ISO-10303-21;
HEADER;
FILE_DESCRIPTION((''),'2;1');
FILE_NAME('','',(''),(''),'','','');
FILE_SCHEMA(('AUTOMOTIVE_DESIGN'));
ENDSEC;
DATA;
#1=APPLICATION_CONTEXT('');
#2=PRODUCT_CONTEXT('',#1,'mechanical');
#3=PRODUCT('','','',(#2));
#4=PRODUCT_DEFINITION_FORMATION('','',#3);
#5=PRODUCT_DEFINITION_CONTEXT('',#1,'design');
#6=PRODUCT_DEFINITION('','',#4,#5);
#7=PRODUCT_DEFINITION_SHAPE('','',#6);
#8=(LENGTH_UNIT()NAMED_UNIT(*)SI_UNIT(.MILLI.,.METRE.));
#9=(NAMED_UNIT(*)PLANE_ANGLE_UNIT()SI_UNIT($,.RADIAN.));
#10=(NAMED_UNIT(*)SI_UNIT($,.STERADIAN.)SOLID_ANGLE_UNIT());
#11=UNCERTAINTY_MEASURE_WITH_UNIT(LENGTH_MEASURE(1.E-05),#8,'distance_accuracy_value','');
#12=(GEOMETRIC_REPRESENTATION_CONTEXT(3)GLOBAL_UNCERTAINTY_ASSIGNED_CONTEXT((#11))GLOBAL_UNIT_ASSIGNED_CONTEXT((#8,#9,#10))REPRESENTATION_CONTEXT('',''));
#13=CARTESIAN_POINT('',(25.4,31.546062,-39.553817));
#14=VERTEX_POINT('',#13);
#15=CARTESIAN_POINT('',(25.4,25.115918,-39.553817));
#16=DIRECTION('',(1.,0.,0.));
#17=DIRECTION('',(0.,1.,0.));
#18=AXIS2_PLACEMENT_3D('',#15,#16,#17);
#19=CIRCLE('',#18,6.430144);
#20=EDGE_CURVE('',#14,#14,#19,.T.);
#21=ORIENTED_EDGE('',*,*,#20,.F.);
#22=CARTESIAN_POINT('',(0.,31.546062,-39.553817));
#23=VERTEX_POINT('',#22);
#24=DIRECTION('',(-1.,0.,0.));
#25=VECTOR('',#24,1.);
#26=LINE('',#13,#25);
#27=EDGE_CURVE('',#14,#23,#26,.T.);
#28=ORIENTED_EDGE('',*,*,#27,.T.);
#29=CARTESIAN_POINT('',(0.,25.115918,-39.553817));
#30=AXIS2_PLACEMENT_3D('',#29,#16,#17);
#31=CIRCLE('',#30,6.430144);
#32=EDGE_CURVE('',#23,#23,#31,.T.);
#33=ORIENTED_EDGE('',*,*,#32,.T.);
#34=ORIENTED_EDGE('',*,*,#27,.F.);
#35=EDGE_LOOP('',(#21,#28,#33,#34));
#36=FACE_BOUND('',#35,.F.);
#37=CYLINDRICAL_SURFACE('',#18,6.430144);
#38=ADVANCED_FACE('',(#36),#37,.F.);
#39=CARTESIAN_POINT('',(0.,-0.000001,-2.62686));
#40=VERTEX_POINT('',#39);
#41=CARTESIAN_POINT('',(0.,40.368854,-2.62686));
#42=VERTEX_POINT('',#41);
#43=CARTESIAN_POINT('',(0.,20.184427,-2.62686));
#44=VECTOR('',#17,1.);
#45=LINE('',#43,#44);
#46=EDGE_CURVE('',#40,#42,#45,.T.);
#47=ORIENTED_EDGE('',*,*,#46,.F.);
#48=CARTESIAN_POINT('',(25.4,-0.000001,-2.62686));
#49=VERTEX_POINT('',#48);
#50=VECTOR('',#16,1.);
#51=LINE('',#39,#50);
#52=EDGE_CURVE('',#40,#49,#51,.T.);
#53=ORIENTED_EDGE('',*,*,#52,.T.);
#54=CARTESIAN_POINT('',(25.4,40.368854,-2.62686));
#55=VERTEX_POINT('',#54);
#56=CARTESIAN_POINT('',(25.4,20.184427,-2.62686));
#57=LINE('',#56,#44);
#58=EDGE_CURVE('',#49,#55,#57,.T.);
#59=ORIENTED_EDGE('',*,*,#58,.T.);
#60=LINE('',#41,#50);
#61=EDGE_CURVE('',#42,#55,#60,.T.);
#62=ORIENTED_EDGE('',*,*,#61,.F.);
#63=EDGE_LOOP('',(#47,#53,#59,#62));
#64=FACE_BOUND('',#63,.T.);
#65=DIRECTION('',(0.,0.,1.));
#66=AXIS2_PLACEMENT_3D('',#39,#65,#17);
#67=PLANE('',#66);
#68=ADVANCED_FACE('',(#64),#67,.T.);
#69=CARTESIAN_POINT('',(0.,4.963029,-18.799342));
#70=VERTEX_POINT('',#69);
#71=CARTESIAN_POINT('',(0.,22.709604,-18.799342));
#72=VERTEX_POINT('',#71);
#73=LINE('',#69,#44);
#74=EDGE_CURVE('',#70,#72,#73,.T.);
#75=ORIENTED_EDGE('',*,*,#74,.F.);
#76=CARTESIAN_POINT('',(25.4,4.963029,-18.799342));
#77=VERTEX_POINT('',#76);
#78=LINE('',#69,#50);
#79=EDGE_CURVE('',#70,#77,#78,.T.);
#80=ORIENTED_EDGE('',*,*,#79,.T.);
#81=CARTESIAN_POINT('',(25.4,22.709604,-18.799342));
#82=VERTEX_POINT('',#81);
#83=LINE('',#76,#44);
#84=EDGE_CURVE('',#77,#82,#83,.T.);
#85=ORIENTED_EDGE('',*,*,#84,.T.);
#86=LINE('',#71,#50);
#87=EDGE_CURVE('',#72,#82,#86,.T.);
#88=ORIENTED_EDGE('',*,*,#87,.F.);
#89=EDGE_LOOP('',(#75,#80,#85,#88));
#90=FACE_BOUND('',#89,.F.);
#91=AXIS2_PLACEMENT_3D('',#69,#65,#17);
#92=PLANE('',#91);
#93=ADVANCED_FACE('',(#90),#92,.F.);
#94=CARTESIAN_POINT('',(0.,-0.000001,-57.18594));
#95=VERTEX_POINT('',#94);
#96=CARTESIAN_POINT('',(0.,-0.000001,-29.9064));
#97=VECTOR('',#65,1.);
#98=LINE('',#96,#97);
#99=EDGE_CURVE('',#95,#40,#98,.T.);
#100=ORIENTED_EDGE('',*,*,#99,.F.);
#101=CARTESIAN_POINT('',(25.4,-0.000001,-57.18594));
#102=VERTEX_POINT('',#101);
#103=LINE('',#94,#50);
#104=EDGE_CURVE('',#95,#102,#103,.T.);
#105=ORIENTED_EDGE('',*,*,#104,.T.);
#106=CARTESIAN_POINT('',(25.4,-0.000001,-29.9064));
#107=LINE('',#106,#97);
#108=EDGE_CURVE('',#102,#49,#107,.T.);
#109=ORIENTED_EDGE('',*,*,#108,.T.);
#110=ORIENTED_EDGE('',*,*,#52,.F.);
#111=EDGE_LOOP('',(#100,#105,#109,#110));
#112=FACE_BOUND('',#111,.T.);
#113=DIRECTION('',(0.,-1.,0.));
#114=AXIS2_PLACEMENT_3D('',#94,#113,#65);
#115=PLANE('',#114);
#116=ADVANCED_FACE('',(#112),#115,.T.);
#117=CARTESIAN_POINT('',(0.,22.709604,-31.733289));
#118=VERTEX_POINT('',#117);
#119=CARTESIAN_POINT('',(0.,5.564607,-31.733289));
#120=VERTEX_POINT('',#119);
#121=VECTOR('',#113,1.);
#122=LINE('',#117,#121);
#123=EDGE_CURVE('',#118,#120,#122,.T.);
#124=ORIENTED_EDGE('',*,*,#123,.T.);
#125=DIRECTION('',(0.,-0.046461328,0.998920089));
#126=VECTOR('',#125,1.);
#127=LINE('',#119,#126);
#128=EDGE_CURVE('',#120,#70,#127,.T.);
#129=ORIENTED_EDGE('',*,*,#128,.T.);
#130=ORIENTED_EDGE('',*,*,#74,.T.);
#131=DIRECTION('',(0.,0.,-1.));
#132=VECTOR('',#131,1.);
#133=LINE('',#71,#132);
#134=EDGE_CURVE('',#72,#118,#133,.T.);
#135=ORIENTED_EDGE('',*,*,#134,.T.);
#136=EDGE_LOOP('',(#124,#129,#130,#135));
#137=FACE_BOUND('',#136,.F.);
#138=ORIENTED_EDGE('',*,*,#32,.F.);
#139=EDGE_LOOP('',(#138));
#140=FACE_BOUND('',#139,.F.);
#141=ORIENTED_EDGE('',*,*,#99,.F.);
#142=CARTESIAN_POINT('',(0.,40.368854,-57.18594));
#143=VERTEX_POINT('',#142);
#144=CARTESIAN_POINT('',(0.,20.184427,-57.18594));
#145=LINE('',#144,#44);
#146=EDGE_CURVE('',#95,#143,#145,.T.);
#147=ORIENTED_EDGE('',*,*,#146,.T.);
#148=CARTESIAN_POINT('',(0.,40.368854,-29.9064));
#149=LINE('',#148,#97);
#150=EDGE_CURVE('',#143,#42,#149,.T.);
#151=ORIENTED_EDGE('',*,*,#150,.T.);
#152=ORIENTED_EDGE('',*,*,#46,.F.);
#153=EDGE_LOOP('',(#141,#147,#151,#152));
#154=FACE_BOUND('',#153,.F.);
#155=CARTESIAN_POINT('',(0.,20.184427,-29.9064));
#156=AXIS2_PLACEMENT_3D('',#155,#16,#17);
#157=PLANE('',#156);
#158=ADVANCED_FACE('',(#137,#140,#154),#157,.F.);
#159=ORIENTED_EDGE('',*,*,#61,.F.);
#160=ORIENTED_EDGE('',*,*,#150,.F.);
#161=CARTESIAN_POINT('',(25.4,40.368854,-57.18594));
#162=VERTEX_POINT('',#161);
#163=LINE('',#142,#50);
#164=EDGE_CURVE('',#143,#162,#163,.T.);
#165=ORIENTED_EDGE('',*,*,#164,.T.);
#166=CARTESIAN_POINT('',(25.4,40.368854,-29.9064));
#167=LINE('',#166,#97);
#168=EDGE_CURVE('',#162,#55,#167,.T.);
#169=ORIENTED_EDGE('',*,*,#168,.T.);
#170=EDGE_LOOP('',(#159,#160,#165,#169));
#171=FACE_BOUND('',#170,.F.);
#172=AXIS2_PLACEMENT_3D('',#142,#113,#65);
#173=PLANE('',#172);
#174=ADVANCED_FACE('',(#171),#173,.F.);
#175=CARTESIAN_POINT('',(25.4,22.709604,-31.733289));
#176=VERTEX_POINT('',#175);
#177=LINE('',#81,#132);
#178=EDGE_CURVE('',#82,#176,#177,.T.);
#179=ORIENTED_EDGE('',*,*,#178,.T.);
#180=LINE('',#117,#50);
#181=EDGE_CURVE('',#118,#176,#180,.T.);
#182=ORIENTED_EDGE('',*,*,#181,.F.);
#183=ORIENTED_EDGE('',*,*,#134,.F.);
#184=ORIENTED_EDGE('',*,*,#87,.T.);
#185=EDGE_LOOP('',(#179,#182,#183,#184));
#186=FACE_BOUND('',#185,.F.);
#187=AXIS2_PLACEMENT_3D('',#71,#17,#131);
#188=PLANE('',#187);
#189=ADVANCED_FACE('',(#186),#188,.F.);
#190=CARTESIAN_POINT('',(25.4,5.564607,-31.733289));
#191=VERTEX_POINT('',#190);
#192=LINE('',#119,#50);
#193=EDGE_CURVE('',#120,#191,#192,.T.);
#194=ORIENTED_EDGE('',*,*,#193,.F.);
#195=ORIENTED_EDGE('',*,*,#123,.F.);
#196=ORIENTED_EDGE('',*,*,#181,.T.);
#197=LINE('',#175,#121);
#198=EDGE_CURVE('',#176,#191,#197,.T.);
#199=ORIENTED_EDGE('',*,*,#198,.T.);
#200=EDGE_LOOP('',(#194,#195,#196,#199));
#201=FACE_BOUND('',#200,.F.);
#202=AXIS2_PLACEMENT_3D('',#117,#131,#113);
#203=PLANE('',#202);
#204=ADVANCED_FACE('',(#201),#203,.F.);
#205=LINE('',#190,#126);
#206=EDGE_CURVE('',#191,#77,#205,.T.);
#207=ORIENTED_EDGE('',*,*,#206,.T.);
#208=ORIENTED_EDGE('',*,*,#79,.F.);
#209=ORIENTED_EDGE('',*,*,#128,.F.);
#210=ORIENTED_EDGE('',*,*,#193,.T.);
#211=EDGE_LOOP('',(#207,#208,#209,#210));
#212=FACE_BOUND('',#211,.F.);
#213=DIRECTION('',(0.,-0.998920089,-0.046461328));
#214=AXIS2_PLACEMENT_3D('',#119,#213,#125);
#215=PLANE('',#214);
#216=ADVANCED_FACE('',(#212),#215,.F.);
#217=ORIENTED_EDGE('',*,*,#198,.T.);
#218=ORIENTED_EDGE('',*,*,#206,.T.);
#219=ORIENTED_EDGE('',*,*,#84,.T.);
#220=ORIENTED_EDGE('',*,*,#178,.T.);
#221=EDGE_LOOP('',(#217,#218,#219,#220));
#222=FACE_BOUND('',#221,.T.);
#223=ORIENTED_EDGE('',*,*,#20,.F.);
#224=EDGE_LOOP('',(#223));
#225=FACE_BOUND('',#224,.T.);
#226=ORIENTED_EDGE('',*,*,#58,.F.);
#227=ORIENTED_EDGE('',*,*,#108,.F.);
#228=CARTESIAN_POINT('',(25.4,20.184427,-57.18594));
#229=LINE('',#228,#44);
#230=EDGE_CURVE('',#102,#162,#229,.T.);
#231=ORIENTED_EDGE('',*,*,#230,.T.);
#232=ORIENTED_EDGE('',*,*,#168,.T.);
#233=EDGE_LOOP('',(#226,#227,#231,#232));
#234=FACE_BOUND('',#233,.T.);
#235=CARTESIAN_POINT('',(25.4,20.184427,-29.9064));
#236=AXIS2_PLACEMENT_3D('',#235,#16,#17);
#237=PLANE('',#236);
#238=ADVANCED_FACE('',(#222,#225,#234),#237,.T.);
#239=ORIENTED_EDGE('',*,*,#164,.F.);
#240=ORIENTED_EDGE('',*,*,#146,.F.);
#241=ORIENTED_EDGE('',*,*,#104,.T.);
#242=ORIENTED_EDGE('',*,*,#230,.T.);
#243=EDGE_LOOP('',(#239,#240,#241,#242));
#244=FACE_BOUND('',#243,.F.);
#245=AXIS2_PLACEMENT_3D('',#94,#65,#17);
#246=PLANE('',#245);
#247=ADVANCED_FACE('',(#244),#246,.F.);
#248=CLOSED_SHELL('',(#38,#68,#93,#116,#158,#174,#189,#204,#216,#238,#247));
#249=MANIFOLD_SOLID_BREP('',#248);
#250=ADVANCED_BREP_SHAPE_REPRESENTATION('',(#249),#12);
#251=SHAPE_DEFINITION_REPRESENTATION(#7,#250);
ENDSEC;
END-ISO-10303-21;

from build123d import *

# Parameters (mm, degrees)
F0_W     = 40.368855
F0_H     = 54.55908
F1_DEPTH = 25.4
F2_R     = 6.430144
F3_DEPTH = 25.401


with BuildPart() as f1:
    # F0 (on Right) → F1 (new body)
    with BuildSketch(Plane.YZ):
        with Locations((20.184427, -29.9064)):
            Rectangle(F0_W, F0_H)
        Polygon((22.709604, -31.733289), (5.564607, -31.733289), (4.963029, -18.799342), (22.709604, -18.799342), align=None, mode=Mode.SUBTRACT)
    extrude(amount=F1_DEPTH)

    # F2 (on face) → F3 (cut, through all)
    with BuildSketch(Plane.YZ.offset(25.4)):
        with Locations((25.115918, -39.553817)):
            Circle(F2_R)
    extrude(amount=-F3_DEPTH, mode=Mode.SUBTRACT)


solid = f1.part
